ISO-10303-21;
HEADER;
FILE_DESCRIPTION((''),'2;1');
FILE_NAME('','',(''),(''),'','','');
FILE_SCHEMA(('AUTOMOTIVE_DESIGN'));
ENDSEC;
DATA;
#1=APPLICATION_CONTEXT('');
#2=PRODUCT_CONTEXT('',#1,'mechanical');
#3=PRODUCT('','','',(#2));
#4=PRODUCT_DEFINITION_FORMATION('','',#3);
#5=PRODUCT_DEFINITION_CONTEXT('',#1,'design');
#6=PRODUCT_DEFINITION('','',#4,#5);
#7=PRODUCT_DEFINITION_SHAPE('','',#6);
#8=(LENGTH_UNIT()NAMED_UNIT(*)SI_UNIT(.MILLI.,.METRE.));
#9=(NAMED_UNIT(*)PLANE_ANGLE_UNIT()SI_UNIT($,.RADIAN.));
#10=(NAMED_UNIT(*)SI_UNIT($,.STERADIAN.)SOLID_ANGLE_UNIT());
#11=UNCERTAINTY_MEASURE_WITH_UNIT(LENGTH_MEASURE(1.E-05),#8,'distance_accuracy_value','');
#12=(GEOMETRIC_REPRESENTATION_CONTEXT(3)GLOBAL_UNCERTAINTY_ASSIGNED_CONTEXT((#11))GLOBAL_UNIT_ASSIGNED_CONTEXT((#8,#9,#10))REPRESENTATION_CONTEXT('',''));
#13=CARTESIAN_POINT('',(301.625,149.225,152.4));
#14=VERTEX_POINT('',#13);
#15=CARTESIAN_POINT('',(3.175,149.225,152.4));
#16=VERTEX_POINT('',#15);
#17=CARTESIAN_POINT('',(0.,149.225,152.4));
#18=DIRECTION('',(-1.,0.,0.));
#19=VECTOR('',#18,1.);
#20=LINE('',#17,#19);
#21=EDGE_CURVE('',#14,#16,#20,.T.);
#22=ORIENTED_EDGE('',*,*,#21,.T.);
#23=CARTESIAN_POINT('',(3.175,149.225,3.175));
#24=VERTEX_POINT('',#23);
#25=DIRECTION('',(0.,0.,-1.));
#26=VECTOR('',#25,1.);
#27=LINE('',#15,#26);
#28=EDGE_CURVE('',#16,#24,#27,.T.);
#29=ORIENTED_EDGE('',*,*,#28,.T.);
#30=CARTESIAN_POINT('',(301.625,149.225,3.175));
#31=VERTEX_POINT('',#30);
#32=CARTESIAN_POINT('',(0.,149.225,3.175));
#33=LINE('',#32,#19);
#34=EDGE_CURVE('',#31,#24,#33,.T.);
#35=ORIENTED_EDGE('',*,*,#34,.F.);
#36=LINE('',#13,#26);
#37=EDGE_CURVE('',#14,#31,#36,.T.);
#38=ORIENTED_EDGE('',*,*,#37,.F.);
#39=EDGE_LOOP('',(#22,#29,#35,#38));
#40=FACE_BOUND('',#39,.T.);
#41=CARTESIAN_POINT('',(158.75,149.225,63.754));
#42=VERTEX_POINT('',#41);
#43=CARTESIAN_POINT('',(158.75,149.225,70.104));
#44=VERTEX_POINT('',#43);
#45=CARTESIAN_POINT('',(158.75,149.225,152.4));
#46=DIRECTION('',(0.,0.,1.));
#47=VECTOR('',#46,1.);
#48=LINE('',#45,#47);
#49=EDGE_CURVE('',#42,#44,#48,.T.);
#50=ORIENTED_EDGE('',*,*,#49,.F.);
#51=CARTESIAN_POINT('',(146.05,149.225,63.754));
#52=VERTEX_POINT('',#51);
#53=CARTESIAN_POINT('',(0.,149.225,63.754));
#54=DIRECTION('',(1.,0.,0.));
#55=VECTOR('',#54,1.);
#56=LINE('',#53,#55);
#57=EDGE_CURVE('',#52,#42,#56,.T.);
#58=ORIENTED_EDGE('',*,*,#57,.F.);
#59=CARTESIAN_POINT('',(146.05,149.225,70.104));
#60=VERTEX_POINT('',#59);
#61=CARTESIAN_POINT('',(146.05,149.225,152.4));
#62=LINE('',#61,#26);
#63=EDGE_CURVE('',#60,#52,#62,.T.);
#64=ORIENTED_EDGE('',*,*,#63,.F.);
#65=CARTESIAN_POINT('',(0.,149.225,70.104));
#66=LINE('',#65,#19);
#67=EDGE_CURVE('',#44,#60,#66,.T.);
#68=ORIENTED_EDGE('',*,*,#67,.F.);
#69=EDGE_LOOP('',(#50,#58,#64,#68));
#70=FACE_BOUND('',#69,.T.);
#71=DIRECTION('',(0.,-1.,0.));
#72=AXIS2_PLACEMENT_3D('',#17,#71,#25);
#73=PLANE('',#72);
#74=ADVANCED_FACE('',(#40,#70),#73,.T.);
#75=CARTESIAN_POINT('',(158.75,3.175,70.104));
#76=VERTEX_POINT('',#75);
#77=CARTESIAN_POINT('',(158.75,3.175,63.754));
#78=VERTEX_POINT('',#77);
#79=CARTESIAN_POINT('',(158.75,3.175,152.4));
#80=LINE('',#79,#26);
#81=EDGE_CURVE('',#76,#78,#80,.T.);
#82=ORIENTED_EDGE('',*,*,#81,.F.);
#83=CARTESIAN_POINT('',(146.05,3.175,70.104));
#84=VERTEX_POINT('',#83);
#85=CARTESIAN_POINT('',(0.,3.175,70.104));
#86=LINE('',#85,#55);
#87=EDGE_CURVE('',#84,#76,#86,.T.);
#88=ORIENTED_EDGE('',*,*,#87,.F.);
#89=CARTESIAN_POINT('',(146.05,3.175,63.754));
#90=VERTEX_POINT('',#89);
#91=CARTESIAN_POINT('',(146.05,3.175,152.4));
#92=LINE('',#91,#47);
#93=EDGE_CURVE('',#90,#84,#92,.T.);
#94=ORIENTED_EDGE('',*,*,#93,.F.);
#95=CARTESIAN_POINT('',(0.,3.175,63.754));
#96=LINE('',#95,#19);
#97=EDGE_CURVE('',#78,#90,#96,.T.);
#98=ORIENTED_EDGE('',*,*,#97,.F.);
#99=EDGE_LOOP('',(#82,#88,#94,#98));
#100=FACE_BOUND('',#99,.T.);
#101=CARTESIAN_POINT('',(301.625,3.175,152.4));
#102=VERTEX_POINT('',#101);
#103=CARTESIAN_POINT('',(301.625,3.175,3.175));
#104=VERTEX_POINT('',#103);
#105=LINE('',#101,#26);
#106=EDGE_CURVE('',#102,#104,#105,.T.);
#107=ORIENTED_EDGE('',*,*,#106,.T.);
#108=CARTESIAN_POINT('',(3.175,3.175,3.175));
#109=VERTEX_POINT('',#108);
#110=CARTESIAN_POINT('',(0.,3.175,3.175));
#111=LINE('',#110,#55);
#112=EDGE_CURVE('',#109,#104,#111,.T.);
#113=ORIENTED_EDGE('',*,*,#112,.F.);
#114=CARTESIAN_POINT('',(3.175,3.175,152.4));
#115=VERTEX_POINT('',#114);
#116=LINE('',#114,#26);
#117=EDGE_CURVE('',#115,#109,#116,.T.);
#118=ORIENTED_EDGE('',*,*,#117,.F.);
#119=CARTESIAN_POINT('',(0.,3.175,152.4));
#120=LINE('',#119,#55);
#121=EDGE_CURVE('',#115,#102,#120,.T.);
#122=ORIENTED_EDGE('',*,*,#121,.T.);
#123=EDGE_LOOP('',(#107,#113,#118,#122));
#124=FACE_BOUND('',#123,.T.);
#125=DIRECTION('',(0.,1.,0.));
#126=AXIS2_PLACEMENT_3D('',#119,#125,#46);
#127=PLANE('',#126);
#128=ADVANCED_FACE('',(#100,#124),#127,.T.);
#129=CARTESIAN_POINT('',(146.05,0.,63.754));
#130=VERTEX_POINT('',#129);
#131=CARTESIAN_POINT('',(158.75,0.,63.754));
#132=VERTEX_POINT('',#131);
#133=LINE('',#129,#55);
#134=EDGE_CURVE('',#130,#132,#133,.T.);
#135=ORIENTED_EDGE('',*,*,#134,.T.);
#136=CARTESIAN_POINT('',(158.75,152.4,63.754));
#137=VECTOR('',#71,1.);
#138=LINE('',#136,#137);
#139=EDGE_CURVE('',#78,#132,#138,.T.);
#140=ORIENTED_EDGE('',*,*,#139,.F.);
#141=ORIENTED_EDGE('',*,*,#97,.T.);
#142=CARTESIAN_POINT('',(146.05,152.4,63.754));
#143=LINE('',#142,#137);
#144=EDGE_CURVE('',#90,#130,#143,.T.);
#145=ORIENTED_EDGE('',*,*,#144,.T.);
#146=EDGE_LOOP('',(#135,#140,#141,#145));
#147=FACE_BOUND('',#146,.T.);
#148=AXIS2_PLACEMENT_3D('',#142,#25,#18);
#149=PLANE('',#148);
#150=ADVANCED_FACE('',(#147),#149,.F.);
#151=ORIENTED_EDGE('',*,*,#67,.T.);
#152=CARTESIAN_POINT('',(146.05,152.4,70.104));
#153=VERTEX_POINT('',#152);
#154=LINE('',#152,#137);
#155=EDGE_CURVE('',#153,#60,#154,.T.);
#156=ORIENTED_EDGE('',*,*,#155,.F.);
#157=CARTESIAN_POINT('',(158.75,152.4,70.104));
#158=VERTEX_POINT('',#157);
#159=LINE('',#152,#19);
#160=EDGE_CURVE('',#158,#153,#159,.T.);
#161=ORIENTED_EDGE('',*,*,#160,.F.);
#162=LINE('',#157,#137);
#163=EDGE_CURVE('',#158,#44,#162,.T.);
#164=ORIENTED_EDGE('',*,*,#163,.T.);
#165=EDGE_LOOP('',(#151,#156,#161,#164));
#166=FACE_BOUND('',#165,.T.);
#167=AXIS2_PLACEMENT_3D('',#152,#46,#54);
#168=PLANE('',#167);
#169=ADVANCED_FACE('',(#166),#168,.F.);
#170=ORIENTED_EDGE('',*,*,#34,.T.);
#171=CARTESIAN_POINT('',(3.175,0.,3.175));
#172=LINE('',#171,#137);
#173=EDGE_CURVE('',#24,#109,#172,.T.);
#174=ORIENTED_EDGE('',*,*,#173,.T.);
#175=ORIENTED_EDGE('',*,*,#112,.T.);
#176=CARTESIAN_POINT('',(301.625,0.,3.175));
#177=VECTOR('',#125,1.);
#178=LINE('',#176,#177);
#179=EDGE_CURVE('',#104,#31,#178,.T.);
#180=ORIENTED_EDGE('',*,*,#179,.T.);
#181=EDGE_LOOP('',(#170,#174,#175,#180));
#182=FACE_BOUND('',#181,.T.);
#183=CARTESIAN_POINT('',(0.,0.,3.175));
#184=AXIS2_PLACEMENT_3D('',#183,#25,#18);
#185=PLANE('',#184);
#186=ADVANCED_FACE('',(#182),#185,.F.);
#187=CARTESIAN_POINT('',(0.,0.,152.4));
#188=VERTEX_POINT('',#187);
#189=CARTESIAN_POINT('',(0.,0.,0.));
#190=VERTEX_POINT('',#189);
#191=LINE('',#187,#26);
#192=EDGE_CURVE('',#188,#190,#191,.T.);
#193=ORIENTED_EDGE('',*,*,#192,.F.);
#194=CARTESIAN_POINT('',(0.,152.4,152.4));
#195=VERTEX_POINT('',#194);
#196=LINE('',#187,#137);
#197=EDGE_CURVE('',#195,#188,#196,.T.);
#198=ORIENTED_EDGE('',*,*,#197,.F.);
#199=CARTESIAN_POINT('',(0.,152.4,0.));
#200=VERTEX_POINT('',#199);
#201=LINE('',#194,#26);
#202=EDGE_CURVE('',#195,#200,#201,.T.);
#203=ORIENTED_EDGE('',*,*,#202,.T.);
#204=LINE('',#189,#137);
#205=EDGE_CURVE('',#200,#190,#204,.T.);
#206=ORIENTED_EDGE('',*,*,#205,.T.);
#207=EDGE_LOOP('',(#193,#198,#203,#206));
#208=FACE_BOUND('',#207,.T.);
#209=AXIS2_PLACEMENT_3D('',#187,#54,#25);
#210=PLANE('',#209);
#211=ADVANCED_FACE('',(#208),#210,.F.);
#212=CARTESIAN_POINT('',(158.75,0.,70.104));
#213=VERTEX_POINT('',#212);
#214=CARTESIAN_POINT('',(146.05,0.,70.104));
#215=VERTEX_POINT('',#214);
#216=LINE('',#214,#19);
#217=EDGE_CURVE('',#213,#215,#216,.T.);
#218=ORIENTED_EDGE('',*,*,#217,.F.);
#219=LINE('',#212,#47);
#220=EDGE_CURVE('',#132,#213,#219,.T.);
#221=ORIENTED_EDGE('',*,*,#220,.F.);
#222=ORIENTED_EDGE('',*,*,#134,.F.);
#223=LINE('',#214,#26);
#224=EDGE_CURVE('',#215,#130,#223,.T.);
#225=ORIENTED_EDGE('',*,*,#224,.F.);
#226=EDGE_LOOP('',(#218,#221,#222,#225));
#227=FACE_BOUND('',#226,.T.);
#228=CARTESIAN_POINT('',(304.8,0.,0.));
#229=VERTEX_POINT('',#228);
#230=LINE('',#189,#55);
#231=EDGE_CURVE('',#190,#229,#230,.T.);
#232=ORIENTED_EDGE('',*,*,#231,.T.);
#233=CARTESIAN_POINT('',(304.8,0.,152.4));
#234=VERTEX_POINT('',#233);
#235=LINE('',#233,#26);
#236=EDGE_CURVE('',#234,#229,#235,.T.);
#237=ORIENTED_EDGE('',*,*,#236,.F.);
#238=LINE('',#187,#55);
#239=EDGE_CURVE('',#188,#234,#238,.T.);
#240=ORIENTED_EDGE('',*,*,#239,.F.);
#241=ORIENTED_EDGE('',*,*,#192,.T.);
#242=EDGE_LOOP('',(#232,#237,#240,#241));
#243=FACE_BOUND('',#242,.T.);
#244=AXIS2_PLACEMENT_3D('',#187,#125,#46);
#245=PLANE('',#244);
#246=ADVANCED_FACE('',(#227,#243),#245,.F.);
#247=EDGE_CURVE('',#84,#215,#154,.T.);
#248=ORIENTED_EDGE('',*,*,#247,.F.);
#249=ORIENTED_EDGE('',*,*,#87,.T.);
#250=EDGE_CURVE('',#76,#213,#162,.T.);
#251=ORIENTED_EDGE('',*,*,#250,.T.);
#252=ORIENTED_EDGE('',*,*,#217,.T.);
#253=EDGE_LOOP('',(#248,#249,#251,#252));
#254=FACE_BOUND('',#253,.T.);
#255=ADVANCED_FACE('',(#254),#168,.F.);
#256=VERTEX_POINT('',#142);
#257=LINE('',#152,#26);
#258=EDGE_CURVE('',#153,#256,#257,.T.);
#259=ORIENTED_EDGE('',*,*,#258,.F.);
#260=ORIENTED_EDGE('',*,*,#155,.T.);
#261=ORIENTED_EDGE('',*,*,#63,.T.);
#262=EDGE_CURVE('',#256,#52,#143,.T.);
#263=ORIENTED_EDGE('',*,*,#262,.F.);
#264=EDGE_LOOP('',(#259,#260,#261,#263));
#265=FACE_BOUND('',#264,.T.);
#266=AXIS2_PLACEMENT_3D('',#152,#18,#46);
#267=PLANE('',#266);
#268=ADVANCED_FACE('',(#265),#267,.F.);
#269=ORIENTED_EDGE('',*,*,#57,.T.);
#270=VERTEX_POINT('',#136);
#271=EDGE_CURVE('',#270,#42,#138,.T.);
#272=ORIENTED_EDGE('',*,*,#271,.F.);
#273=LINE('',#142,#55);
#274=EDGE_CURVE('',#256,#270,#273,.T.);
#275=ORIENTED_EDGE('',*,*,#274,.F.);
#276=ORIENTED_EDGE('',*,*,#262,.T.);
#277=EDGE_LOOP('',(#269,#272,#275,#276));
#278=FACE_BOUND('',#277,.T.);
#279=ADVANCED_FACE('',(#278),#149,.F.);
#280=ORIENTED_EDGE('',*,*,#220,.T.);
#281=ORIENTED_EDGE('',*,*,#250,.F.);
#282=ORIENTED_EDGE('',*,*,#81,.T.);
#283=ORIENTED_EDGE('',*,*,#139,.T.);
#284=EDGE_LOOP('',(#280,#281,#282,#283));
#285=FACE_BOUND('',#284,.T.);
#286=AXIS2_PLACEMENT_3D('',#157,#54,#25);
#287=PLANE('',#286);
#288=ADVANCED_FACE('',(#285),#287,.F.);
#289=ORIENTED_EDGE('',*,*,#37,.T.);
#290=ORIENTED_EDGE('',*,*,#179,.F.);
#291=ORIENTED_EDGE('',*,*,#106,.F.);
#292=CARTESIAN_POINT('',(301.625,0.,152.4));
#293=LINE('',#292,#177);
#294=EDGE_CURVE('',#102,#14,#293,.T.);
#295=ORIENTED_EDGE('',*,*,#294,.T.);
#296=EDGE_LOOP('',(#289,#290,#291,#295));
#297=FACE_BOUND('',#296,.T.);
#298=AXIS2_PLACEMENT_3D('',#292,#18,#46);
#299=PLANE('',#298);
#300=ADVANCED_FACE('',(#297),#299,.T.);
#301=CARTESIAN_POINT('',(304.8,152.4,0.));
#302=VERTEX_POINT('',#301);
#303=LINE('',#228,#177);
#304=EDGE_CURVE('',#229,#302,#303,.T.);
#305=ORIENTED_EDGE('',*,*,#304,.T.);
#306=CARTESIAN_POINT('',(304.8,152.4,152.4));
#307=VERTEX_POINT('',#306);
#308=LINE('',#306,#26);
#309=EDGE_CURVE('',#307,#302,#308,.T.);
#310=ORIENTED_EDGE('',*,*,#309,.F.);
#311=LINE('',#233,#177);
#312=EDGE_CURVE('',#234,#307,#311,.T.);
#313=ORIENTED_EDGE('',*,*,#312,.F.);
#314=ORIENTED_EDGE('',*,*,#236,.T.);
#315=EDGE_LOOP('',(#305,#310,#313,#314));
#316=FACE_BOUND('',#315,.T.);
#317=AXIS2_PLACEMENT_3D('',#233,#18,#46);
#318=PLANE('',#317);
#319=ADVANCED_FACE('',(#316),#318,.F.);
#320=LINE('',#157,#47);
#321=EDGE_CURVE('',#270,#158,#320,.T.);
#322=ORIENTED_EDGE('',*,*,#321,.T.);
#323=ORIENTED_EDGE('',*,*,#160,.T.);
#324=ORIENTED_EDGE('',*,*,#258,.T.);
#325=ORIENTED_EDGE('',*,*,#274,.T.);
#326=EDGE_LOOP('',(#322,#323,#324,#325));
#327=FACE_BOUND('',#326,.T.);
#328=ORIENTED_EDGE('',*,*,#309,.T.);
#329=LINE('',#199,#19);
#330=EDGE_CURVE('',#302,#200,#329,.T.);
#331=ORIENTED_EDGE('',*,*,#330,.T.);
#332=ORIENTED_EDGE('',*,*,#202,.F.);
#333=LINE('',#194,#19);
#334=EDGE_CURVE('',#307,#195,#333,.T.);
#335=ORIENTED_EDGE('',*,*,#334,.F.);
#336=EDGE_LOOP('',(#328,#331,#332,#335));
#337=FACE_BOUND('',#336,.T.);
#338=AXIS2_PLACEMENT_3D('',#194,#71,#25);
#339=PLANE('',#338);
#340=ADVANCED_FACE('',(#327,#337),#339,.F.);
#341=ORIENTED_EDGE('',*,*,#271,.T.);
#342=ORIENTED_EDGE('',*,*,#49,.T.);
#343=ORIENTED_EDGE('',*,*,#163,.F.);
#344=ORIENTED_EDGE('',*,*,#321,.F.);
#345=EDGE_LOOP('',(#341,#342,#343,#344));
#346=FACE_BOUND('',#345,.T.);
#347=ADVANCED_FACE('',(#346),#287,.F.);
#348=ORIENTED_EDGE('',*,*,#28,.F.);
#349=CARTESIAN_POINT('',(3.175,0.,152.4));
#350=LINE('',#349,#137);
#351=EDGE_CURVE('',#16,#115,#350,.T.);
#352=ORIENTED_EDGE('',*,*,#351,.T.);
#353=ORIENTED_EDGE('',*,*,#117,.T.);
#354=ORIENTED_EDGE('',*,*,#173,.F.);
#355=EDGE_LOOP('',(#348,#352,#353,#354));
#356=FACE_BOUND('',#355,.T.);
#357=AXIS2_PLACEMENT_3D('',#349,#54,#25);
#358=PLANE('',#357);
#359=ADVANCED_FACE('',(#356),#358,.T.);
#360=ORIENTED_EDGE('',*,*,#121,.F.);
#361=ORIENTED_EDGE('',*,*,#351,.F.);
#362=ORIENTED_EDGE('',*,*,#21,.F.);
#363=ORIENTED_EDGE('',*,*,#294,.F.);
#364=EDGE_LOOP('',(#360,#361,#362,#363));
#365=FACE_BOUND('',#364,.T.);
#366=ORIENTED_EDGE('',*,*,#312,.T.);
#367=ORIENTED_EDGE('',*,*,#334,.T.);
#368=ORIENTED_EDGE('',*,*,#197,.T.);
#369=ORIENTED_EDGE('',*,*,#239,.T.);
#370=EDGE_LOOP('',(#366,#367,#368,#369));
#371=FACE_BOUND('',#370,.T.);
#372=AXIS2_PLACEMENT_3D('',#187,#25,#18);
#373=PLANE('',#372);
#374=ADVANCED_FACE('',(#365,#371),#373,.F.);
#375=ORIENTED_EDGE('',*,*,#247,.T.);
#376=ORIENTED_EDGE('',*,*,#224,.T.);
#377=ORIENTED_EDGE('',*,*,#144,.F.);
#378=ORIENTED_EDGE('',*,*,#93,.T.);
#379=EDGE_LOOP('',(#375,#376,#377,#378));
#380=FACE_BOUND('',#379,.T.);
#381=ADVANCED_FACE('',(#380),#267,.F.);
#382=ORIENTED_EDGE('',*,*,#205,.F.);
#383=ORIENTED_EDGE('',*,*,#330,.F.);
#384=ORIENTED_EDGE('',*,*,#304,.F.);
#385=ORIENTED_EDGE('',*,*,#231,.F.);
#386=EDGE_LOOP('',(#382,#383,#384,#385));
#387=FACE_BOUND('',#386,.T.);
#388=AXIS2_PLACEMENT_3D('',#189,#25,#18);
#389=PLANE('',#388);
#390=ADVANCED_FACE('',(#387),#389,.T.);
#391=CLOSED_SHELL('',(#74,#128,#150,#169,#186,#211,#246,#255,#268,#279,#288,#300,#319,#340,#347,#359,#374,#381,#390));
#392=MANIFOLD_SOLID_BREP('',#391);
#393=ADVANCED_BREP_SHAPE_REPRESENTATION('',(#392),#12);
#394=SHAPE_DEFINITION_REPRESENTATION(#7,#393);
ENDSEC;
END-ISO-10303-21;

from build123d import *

# Parameters (mm, degrees)
SKETCH2_W           = 304.8
SKETCH2_H           = 152.4
BOSS_EXTRUDE1_DEPTH = 152.4
SHELL1_T            = -3.175
SKETCH3_W           = 12.7
SKETCH3_H           = 6.35
CUT_EXTRUDE1_DEPTH  = 374.3022368


with BuildPart() as part:
    # Sketch2 → Boss-Extrude1 (new body)
    with BuildSketch(Plane.XY):
        with Locations((152.4, 76.2)):
            Rectangle(SKETCH2_W, SKETCH2_H)
    extrude(amount=BOSS_EXTRUDE1_DEPTH)

    # Shell1
    shell1_openings = [part.faces().sort_by_distance(p)[0] for p in [
        (152.4, 76.2, 152.4),
    ]]
    offset(amount=SHELL1_T, openings=shell1_openings, kind=Kind.INTERSECTION)

    # Sketch3 → Cut-Extrude1 (cut, through all)
    with BuildSketch(Plane.XZ):
        with Locations((152.4, 66.929)):
            Rectangle(SKETCH3_W, SKETCH3_H)
    extrude(amount=-CUT_EXTRUDE1_DEPTH, mode=Mode.SUBTRACT)


solid = part.part
